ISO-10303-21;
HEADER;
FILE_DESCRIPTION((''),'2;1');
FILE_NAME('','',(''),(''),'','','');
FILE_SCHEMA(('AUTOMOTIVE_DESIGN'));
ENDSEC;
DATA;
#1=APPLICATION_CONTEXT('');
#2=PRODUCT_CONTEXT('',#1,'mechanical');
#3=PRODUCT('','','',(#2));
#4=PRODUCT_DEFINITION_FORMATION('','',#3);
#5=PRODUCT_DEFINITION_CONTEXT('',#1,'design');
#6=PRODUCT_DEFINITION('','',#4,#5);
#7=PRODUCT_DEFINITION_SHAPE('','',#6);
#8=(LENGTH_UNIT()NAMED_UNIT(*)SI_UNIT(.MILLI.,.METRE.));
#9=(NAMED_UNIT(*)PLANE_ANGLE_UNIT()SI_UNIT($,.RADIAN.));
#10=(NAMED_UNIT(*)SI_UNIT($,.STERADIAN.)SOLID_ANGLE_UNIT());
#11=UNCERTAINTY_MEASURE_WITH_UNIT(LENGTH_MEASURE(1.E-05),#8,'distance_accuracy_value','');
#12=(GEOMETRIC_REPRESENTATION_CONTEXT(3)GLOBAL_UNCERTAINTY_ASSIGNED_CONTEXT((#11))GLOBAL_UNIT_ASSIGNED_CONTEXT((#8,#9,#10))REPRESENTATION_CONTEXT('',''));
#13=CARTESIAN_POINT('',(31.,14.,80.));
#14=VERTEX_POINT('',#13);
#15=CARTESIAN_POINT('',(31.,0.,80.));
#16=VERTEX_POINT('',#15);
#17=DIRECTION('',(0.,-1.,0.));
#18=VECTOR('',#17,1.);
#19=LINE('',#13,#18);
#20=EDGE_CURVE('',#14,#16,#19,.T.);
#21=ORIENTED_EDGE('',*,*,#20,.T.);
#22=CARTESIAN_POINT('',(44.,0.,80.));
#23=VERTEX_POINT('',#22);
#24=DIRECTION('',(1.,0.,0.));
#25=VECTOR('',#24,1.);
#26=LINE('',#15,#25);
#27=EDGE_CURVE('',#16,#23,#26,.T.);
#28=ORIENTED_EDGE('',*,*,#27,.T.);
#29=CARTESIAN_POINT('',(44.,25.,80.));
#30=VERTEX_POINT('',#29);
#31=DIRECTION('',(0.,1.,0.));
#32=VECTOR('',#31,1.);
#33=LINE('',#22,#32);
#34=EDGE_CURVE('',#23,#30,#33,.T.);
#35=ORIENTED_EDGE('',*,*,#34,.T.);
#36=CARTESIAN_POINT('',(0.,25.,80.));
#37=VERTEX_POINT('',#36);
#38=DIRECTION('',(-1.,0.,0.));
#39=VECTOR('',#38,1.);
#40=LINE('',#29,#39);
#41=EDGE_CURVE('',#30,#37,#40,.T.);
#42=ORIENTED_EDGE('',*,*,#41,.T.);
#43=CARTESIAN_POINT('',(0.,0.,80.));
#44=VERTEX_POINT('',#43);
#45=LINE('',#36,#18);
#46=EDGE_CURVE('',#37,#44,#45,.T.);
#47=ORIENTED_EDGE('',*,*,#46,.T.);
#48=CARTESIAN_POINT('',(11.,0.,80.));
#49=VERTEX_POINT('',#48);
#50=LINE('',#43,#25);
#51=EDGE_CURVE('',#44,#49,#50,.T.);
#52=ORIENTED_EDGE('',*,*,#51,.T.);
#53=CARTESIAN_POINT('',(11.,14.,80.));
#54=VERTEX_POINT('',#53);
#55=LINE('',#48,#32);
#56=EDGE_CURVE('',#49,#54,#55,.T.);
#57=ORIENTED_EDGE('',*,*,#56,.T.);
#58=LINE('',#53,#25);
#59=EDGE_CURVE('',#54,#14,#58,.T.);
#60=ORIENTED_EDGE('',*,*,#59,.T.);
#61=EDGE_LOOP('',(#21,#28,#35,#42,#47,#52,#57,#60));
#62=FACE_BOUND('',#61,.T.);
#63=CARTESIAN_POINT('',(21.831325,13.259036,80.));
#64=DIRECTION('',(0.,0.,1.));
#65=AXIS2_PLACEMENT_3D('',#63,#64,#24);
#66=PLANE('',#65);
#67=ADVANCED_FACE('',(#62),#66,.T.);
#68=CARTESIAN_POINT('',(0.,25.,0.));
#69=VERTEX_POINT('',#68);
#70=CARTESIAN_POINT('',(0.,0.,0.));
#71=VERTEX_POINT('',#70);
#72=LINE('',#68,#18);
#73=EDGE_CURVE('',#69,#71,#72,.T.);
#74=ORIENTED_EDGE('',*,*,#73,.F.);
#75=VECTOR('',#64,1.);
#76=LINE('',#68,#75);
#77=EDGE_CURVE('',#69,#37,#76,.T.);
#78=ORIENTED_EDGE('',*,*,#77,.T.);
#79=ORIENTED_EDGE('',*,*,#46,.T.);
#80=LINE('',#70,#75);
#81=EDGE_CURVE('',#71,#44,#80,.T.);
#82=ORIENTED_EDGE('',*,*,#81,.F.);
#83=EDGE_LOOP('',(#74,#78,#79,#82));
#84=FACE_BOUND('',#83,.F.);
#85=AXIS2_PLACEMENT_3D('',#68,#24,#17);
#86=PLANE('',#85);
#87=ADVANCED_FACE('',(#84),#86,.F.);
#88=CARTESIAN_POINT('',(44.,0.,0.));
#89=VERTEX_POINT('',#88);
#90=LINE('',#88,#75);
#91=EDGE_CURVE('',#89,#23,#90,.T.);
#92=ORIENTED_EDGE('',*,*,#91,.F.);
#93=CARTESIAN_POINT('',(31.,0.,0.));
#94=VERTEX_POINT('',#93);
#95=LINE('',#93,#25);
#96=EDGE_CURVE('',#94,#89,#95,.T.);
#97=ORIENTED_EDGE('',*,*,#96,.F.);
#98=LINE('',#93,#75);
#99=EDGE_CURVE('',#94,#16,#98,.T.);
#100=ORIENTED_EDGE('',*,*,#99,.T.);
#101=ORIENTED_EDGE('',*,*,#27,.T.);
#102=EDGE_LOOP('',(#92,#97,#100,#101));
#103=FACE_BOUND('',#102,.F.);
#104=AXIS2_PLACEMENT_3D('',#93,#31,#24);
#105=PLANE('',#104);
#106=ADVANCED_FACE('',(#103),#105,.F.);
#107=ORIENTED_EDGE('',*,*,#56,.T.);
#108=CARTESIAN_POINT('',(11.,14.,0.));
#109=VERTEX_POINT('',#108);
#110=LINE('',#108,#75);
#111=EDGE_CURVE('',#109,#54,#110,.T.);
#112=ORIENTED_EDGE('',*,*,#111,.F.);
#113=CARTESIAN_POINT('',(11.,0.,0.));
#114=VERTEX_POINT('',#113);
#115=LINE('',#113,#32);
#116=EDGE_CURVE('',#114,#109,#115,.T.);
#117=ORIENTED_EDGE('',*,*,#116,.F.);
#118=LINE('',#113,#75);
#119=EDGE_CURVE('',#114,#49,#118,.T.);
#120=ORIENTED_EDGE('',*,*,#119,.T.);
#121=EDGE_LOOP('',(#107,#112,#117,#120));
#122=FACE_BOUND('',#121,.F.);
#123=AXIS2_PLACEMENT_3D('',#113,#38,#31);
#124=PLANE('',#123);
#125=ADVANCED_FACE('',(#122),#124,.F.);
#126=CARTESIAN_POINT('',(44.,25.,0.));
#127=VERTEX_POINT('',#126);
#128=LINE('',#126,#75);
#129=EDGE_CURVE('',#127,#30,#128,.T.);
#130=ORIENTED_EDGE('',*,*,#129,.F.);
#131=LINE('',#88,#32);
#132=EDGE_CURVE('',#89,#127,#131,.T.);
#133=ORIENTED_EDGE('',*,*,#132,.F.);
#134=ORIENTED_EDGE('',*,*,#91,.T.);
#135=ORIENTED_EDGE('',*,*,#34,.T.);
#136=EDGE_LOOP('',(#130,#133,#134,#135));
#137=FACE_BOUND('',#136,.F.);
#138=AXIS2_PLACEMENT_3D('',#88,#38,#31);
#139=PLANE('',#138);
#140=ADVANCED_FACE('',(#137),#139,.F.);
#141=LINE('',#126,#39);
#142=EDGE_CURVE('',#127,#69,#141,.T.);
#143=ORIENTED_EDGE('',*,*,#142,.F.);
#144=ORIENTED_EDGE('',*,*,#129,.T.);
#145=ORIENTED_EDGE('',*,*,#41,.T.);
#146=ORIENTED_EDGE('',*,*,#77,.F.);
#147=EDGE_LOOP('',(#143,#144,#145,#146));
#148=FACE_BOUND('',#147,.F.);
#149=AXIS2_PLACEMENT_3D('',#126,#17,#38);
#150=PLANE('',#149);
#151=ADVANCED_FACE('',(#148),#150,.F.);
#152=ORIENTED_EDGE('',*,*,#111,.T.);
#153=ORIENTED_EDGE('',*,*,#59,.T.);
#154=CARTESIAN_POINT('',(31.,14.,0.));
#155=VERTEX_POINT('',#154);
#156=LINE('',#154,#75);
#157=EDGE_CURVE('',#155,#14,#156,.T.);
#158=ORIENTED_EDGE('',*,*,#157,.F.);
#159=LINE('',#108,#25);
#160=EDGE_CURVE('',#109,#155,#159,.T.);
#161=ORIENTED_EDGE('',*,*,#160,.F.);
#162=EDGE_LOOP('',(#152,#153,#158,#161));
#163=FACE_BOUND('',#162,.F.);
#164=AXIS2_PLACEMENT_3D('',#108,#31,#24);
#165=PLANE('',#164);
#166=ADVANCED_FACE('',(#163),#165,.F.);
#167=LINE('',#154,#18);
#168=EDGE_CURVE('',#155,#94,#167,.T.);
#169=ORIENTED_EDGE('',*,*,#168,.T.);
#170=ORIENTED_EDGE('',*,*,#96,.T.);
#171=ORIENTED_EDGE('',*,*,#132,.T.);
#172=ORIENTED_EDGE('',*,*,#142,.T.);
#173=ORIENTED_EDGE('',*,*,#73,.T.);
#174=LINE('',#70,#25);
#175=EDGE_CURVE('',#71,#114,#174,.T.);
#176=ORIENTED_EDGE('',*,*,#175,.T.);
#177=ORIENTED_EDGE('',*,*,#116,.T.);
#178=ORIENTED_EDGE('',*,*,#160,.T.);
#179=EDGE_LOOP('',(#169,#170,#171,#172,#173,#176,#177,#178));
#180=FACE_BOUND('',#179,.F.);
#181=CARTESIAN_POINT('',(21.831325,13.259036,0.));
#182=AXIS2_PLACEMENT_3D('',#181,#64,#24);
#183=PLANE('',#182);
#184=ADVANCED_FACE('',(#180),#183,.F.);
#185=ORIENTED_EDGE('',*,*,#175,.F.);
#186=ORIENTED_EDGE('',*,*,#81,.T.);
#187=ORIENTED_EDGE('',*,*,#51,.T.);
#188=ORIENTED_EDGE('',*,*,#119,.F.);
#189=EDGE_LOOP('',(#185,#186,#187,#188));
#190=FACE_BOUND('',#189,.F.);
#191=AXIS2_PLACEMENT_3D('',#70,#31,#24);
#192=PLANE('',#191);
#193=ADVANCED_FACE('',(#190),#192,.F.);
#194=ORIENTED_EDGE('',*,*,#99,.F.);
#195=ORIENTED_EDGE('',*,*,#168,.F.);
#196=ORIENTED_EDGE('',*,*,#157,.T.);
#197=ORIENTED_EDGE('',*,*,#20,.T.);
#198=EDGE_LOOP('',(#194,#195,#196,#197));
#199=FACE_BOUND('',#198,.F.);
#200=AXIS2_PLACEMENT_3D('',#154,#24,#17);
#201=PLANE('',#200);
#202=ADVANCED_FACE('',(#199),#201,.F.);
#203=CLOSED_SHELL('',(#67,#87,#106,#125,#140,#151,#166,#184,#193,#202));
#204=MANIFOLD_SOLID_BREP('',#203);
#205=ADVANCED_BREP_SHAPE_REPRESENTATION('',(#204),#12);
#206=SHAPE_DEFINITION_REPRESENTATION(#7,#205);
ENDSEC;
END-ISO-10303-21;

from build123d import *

# Parameters (mm, degrees)
PAD_DEPTH = 80


with BuildPart() as part:
    # Sketch → Pad (new body)
    with BuildSketch(Plane.XY):
        Polygon((0, 0), (11, 0), (11, 14), (31, 14), (31, 0), (44, 0), (44, 25), (0, 25), align=None)
    extrude(amount=PAD_DEPTH)


solid = part.part
